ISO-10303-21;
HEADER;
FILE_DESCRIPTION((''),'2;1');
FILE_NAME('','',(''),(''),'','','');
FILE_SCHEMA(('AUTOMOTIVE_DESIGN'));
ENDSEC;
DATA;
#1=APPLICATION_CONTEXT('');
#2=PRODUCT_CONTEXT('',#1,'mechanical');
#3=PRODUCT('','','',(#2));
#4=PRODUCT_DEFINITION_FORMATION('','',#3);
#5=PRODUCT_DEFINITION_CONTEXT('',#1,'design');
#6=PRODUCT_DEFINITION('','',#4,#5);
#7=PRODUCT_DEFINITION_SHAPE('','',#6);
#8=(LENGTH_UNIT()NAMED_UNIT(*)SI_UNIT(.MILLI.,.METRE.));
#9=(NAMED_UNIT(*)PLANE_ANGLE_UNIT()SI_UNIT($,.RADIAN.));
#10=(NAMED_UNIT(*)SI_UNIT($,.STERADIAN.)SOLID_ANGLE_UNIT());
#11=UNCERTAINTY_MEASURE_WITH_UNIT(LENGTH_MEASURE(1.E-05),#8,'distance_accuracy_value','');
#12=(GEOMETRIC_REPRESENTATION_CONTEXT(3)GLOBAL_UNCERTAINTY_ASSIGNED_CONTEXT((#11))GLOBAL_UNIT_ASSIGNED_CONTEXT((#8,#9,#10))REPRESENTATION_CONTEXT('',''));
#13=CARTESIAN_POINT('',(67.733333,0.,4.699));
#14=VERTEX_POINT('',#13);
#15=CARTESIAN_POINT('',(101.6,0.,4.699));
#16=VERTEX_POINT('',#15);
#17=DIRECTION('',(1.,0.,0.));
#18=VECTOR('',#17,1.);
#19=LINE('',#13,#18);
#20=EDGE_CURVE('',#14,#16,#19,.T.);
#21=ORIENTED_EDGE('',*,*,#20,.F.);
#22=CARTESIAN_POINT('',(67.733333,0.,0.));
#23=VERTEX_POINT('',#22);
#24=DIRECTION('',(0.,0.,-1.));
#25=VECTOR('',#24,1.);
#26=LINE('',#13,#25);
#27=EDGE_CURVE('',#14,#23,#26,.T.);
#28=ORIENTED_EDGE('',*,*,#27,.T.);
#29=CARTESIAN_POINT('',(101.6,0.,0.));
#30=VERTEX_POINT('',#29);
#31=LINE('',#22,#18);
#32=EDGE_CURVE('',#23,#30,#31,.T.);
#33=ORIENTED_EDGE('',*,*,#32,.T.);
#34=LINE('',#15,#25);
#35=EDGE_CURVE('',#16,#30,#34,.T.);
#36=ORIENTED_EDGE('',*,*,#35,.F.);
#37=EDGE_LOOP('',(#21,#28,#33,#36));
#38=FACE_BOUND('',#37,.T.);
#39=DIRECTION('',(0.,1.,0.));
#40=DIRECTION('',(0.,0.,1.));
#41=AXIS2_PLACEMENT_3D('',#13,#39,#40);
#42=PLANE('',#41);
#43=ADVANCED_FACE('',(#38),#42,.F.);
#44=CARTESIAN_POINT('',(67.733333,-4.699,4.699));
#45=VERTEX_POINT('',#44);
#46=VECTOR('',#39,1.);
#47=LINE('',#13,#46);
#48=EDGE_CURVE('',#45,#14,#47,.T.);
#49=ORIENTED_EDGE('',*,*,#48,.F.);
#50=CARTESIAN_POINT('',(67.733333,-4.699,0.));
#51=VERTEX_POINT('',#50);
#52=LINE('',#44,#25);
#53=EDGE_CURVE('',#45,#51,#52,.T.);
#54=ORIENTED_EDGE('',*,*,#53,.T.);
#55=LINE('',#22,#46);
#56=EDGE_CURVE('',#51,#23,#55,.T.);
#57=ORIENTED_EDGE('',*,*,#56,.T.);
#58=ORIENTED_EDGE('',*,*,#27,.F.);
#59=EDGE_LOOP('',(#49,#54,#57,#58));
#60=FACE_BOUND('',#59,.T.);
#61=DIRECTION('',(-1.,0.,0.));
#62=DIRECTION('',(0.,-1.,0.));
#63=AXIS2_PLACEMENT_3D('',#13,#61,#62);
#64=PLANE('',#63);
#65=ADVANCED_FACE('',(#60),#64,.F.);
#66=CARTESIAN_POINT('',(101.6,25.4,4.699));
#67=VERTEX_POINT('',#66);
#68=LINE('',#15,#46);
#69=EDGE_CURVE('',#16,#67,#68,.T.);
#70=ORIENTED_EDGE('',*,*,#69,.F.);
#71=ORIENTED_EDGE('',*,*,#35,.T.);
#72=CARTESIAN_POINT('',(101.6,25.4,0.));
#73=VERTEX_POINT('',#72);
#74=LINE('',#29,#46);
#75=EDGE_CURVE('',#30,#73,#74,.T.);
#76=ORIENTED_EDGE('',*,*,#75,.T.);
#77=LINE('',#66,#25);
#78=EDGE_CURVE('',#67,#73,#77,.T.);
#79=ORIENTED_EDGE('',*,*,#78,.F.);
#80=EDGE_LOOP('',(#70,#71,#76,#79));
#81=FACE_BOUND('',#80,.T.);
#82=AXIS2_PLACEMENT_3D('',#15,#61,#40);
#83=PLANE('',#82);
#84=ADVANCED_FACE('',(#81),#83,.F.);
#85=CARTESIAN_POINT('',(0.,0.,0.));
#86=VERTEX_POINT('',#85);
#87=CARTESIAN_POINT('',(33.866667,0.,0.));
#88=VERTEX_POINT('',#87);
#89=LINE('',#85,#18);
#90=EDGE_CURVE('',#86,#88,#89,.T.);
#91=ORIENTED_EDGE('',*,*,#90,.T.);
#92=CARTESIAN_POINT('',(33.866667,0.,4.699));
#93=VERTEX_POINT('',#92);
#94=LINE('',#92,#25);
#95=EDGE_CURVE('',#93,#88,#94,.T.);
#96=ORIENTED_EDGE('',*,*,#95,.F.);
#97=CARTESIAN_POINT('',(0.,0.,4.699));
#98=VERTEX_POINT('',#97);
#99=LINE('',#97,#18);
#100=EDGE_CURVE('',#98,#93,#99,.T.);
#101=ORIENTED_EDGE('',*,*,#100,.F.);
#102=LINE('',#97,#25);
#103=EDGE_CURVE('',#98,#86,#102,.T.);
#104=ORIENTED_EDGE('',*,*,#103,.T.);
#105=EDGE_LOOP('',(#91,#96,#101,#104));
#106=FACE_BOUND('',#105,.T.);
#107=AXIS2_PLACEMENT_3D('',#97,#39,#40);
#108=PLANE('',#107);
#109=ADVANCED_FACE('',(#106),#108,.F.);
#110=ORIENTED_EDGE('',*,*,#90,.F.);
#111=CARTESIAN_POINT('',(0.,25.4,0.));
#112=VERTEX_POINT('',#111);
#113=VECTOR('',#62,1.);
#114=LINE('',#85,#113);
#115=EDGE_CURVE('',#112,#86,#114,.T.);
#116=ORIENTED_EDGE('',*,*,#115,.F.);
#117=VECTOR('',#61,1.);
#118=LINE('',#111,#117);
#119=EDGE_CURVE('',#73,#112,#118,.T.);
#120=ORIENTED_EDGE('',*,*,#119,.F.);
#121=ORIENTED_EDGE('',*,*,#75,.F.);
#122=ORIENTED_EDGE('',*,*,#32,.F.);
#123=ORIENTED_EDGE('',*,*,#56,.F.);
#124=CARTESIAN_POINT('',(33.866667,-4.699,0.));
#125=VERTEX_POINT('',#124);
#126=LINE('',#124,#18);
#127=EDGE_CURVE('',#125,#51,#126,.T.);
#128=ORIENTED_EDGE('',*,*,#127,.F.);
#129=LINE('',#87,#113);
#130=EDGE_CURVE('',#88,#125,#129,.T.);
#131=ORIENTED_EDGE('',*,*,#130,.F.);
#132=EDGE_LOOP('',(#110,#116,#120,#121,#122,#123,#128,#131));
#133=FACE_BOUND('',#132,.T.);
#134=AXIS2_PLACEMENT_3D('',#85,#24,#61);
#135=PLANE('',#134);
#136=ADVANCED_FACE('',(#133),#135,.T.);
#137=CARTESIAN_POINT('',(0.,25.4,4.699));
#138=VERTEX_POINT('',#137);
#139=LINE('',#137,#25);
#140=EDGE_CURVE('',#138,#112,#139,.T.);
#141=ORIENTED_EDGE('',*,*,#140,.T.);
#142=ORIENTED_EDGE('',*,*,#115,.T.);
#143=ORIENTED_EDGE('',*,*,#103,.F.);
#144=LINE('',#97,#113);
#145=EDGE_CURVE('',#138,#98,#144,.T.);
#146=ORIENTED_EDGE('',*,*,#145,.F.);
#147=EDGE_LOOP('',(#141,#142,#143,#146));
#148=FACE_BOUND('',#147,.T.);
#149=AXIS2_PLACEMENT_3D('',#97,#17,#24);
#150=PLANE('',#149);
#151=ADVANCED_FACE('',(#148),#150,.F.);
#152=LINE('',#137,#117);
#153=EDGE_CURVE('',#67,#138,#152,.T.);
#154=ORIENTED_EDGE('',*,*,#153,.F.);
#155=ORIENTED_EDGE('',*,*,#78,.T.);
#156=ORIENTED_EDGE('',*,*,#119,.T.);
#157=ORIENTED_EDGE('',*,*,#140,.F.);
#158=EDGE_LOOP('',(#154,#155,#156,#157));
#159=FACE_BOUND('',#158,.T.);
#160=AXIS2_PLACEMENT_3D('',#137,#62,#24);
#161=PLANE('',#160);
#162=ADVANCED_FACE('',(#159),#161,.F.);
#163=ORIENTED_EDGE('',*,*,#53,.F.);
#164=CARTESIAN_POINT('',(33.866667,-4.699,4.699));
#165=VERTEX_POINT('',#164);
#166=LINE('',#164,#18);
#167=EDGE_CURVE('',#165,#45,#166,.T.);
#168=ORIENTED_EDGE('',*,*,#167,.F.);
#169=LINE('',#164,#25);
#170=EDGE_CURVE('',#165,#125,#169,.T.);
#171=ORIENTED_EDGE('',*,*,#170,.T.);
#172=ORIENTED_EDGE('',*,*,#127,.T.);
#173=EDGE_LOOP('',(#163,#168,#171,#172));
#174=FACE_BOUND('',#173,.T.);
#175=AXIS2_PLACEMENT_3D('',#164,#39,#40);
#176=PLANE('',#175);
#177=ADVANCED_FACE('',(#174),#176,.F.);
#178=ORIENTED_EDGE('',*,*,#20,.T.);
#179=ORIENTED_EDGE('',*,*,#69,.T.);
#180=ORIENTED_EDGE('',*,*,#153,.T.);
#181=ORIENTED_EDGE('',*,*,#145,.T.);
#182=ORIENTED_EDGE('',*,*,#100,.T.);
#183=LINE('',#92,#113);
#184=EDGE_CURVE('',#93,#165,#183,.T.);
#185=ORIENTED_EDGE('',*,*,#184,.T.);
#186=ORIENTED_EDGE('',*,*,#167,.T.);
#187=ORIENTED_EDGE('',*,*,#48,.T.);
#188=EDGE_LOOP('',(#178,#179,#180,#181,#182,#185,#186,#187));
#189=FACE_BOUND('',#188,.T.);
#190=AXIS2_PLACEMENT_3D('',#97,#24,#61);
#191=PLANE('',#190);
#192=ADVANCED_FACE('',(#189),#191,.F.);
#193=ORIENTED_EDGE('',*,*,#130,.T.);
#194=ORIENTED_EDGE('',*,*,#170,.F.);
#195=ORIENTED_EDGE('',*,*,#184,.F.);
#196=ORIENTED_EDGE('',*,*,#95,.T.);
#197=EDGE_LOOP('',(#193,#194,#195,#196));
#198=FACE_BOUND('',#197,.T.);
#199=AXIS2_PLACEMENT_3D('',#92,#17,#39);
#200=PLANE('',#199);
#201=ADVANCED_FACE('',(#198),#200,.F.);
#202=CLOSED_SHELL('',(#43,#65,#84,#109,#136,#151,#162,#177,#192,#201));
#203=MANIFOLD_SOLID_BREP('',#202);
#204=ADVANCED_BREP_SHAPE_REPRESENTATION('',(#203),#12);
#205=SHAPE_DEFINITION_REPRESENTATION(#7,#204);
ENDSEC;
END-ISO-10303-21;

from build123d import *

# Parameters (mm, degrees)
BOSS_EXTRUDE1_DEPTH = 4.699


with BuildPart() as part:
    # Sketch1 → Boss-Extrude1 (new body)
    with BuildSketch(Plane.XY):
        Polygon((67.733333333, 0), (101.6, 0), (101.6, 25.4), (0, 25.4), (0, 0), (33.866666667, 0), (33.866666667, -4.699), (67.733333333, -4.699), align=None)
    extrude(amount=BOSS_EXTRUDE1_DEPTH)


solid = part.part
